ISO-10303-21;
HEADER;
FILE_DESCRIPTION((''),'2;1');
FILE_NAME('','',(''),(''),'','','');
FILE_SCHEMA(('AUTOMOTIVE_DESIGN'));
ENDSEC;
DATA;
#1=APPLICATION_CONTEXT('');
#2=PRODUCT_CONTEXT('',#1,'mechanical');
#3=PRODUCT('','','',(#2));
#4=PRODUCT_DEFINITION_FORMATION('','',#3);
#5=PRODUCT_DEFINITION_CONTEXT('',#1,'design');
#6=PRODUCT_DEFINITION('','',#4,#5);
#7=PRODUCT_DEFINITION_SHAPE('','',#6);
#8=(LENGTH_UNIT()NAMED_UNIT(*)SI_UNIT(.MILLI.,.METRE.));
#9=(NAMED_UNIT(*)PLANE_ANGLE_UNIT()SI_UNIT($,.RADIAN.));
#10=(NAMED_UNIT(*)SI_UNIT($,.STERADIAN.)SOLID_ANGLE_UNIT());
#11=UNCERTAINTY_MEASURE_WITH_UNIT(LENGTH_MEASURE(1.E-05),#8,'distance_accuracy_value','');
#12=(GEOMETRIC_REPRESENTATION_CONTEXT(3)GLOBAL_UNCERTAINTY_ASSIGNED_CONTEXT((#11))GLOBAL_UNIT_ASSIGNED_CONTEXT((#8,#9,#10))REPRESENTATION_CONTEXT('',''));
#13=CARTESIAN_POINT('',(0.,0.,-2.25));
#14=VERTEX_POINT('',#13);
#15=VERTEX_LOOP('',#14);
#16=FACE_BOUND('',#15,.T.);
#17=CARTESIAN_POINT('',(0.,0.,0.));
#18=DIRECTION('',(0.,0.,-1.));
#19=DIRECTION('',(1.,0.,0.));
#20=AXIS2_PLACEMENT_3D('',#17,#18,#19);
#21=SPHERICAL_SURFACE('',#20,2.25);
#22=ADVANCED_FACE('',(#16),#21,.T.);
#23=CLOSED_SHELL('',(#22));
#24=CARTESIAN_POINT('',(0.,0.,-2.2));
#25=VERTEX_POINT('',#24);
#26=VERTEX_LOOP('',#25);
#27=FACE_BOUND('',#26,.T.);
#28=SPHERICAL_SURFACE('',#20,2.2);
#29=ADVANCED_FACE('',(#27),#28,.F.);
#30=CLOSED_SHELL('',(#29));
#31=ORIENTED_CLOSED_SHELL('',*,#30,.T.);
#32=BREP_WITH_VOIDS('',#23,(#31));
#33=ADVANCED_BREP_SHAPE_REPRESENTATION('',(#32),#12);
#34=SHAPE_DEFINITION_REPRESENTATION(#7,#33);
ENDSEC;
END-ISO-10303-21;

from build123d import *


with BuildPart() as part:
    # Sketch1 → Revolve-Thin1 (revolve)
    with BuildSketch(Plane(origin=(0, 0, 0), x_dir=(1, 0, 0), z_dir=(0, 1, 0))):
        with BuildLine():
            ThreePointArc((0, 2.2), (-2.2, 0), (0, -2.2))
            Line((0, -2.2), (0, -2.25))
            ThreePointArc((0, -2.25), (-2.25, 0), (0, 2.25))
            Line((0, 2.25), (0, 2.2))
        make_face()
    revolve(axis=Axis((0, 0, -2.2), (0, 0, 1)))


solid = part.part
